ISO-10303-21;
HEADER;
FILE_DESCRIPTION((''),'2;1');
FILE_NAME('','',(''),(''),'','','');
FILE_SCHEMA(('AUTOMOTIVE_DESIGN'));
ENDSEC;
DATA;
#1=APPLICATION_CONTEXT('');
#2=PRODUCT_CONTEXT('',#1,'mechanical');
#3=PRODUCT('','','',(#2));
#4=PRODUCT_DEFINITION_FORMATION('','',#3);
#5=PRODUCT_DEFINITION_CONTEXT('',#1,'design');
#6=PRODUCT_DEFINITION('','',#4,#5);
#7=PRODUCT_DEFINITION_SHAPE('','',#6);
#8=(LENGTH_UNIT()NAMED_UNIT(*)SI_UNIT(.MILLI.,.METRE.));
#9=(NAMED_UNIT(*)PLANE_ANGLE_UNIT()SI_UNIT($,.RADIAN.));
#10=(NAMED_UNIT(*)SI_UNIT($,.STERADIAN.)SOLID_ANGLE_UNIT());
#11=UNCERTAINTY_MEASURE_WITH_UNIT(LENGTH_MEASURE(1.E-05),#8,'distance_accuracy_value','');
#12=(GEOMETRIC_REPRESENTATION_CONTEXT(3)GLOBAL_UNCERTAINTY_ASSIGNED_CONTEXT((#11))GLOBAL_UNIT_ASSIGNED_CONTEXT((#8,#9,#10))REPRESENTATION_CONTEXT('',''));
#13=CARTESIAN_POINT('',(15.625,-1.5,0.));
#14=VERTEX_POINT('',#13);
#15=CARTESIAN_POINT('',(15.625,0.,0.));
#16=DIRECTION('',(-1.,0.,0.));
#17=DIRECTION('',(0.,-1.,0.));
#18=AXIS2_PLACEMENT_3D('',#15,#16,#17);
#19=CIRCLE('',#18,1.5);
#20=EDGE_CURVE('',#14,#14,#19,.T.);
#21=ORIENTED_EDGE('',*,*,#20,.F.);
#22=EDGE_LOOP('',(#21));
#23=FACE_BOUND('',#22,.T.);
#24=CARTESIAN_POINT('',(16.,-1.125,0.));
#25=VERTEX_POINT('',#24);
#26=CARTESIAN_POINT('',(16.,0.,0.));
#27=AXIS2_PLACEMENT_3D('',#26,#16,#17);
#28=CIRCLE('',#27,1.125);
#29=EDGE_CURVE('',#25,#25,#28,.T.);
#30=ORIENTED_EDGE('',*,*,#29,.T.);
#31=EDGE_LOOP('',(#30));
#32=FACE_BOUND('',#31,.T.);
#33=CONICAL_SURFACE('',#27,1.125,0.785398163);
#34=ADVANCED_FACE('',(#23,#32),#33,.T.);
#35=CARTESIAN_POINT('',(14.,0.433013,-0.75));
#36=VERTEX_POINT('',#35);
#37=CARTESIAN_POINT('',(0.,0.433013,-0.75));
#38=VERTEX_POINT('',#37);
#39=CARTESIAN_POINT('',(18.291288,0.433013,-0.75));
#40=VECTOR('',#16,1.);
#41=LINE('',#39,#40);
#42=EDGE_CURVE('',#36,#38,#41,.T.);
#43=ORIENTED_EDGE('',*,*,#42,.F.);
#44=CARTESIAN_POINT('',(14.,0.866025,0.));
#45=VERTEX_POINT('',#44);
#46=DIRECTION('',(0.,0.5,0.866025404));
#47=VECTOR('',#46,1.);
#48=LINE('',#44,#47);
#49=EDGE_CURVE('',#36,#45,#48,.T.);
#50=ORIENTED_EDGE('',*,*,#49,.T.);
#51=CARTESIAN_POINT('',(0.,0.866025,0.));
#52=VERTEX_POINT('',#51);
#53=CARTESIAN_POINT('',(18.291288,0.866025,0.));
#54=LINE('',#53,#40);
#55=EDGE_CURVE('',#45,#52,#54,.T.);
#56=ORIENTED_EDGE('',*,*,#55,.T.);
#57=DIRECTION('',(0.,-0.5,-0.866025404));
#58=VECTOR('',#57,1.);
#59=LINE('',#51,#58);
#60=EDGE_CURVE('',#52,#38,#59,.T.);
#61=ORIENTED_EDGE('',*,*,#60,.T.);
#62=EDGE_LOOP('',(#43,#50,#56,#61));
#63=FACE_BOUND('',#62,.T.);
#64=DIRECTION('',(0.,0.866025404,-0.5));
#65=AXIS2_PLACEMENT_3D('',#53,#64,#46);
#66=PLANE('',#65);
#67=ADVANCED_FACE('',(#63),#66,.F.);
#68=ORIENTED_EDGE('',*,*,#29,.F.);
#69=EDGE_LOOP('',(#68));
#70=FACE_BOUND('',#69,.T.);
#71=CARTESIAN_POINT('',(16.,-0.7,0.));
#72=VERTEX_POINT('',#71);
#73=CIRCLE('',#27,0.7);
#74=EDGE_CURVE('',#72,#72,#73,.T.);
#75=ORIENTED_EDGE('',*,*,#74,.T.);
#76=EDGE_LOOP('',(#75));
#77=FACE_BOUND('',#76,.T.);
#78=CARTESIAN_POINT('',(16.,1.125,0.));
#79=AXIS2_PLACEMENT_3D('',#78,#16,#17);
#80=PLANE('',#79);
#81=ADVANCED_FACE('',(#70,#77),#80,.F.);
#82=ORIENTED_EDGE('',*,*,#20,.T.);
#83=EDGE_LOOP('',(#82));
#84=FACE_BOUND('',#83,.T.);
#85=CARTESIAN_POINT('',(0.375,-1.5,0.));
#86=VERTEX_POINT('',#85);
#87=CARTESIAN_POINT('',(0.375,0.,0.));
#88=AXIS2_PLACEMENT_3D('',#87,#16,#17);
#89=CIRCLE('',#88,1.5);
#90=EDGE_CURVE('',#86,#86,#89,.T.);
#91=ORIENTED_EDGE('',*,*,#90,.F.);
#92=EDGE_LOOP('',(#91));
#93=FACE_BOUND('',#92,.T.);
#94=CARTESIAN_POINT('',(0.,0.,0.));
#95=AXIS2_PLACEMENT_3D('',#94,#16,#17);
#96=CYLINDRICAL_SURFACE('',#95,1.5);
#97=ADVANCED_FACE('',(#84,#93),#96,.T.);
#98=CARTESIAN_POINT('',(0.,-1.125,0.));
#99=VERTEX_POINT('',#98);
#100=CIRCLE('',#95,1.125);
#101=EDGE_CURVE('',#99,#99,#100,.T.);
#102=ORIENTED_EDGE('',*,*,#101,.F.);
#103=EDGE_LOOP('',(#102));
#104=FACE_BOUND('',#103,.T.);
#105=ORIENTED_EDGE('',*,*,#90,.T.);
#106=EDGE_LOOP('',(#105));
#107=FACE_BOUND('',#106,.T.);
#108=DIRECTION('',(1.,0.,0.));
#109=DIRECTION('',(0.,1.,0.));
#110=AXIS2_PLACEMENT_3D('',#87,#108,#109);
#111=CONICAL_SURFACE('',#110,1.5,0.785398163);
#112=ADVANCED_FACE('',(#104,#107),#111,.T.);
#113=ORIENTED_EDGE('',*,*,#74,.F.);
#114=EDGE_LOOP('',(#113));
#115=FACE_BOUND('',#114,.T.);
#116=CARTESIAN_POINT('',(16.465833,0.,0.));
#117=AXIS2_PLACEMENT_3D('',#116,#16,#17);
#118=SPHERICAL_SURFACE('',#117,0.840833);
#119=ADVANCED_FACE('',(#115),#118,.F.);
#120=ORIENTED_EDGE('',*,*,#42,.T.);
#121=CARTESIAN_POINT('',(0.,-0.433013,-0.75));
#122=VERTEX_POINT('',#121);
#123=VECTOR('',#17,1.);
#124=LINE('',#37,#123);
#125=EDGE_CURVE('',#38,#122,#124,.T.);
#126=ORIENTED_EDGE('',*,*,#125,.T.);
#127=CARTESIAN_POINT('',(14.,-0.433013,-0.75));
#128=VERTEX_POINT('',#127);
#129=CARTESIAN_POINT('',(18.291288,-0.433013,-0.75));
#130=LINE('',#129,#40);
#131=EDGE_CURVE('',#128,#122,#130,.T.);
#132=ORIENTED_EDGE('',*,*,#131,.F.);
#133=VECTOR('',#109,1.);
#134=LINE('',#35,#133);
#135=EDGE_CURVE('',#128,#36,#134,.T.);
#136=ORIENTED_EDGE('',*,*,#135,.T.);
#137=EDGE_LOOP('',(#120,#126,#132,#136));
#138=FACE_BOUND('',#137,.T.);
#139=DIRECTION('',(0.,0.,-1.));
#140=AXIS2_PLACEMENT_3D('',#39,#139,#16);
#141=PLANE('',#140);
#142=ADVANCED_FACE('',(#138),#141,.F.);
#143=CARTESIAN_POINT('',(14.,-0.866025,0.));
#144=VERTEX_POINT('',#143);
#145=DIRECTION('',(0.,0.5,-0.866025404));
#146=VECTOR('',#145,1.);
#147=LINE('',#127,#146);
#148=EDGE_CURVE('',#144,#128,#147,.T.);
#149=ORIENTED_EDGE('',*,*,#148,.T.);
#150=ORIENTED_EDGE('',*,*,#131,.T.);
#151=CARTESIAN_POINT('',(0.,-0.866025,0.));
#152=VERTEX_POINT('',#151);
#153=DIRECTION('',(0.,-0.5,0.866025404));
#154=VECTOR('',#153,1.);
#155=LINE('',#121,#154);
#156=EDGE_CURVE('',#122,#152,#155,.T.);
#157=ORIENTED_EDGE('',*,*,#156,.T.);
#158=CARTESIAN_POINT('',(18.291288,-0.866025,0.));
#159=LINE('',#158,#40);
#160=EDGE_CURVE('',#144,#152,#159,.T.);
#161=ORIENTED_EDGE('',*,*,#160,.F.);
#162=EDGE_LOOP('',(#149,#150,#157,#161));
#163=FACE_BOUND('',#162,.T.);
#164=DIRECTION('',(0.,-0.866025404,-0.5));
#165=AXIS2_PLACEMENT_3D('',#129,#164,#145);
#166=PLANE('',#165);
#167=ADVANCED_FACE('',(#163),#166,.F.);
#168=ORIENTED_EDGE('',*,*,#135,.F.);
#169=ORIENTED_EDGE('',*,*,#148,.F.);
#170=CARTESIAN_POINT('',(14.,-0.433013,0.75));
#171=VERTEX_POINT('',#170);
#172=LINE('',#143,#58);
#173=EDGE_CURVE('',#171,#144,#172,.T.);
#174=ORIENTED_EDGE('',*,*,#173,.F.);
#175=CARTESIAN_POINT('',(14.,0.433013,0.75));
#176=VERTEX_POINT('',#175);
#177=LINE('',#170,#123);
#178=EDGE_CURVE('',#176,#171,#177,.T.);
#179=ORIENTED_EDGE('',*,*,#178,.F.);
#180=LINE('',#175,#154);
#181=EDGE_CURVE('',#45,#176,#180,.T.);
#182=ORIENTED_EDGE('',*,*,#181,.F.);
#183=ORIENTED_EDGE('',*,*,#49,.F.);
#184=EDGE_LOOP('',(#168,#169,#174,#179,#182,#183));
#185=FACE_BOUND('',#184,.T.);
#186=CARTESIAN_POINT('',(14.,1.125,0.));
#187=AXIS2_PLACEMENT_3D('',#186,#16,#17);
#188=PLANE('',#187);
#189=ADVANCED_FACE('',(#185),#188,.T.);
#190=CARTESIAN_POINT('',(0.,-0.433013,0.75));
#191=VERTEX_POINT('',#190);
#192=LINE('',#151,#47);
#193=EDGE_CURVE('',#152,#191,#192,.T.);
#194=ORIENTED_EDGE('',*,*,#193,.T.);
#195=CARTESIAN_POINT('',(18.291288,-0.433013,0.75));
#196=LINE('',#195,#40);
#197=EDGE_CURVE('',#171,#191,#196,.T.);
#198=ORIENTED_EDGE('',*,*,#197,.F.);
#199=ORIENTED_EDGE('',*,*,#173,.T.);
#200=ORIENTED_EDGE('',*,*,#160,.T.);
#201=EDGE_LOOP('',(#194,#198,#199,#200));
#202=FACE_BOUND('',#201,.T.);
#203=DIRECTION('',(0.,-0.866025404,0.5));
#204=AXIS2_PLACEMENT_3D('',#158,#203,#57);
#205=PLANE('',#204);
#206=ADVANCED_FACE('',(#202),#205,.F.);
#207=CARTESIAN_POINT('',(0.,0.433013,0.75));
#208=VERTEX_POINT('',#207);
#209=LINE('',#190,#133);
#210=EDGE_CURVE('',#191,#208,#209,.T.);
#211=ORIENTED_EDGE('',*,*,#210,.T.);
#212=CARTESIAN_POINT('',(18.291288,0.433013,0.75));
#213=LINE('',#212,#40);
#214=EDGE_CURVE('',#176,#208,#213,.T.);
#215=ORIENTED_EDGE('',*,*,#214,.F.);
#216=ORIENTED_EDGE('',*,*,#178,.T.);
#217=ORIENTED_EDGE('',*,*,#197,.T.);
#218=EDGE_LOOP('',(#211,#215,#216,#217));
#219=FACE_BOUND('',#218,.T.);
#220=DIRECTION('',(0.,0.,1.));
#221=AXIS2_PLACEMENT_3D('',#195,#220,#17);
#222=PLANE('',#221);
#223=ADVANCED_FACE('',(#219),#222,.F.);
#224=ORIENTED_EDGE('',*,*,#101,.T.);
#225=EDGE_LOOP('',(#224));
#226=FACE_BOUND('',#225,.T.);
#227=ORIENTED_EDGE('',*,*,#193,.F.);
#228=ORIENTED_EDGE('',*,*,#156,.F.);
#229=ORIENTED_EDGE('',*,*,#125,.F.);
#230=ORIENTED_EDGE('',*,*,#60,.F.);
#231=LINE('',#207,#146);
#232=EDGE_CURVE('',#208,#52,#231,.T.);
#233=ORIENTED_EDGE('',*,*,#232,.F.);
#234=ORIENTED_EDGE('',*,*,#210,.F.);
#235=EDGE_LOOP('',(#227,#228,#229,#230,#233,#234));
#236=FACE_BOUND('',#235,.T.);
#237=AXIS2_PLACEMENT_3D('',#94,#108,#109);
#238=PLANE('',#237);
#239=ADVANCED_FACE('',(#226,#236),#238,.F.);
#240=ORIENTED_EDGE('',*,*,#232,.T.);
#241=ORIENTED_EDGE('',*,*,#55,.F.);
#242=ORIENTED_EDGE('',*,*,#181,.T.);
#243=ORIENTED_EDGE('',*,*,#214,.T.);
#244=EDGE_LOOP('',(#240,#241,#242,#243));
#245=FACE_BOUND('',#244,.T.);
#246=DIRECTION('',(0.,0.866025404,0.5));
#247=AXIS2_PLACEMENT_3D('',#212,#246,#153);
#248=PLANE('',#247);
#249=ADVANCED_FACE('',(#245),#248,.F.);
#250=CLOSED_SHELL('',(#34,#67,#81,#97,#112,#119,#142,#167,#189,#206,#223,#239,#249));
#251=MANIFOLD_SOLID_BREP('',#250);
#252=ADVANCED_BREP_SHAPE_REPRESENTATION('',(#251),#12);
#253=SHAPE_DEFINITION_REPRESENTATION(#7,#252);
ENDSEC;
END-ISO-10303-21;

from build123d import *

# Parameters (mm, degrees)
CUT_EXTRUDE1_DEPTH = 14


with BuildPart() as part:
    # Sketch1 → Revolve1 (revolve)
    with BuildSketch(Plane.XY, mode=Mode.PRIVATE) as revolve1_sk:
        with BuildLine():
            Line((0, 0), (0, 1.125))
            Line((0, 1.125), (0.375, 1.5))
            Line((0.375, 1.5), (15.625, 1.5))
            Line((15.625, 1.5), (16, 1.125))
            Line((16, 1.125), (16, 0.7))
            ThreePointArc((16, 0.7), (15.724655592, 0.397059504), (15.625, 0))
            Line((15.625, 0), (0, 0))
        make_face()
    revolve(revolve1_sk.sketch.rotate(Axis((0, 0, 0), (1, 0, 0)), 180), axis=Axis((0, 0, 0), (1, 0, 0)))

    # Sketch2 → Cut-Extrude1 (cut)
    with BuildSketch(Plane.ZY):
        Polygon((0, 0.866025404), (-0.75, 0.433012702), (-0.75, -0.433012702), (0, -0.866025404), (0.75, -0.433012702), (0.75, 0.433012702), align=None)
    extrude(amount=-CUT_EXTRUDE1_DEPTH, mode=Mode.SUBTRACT)


solid = part.part
